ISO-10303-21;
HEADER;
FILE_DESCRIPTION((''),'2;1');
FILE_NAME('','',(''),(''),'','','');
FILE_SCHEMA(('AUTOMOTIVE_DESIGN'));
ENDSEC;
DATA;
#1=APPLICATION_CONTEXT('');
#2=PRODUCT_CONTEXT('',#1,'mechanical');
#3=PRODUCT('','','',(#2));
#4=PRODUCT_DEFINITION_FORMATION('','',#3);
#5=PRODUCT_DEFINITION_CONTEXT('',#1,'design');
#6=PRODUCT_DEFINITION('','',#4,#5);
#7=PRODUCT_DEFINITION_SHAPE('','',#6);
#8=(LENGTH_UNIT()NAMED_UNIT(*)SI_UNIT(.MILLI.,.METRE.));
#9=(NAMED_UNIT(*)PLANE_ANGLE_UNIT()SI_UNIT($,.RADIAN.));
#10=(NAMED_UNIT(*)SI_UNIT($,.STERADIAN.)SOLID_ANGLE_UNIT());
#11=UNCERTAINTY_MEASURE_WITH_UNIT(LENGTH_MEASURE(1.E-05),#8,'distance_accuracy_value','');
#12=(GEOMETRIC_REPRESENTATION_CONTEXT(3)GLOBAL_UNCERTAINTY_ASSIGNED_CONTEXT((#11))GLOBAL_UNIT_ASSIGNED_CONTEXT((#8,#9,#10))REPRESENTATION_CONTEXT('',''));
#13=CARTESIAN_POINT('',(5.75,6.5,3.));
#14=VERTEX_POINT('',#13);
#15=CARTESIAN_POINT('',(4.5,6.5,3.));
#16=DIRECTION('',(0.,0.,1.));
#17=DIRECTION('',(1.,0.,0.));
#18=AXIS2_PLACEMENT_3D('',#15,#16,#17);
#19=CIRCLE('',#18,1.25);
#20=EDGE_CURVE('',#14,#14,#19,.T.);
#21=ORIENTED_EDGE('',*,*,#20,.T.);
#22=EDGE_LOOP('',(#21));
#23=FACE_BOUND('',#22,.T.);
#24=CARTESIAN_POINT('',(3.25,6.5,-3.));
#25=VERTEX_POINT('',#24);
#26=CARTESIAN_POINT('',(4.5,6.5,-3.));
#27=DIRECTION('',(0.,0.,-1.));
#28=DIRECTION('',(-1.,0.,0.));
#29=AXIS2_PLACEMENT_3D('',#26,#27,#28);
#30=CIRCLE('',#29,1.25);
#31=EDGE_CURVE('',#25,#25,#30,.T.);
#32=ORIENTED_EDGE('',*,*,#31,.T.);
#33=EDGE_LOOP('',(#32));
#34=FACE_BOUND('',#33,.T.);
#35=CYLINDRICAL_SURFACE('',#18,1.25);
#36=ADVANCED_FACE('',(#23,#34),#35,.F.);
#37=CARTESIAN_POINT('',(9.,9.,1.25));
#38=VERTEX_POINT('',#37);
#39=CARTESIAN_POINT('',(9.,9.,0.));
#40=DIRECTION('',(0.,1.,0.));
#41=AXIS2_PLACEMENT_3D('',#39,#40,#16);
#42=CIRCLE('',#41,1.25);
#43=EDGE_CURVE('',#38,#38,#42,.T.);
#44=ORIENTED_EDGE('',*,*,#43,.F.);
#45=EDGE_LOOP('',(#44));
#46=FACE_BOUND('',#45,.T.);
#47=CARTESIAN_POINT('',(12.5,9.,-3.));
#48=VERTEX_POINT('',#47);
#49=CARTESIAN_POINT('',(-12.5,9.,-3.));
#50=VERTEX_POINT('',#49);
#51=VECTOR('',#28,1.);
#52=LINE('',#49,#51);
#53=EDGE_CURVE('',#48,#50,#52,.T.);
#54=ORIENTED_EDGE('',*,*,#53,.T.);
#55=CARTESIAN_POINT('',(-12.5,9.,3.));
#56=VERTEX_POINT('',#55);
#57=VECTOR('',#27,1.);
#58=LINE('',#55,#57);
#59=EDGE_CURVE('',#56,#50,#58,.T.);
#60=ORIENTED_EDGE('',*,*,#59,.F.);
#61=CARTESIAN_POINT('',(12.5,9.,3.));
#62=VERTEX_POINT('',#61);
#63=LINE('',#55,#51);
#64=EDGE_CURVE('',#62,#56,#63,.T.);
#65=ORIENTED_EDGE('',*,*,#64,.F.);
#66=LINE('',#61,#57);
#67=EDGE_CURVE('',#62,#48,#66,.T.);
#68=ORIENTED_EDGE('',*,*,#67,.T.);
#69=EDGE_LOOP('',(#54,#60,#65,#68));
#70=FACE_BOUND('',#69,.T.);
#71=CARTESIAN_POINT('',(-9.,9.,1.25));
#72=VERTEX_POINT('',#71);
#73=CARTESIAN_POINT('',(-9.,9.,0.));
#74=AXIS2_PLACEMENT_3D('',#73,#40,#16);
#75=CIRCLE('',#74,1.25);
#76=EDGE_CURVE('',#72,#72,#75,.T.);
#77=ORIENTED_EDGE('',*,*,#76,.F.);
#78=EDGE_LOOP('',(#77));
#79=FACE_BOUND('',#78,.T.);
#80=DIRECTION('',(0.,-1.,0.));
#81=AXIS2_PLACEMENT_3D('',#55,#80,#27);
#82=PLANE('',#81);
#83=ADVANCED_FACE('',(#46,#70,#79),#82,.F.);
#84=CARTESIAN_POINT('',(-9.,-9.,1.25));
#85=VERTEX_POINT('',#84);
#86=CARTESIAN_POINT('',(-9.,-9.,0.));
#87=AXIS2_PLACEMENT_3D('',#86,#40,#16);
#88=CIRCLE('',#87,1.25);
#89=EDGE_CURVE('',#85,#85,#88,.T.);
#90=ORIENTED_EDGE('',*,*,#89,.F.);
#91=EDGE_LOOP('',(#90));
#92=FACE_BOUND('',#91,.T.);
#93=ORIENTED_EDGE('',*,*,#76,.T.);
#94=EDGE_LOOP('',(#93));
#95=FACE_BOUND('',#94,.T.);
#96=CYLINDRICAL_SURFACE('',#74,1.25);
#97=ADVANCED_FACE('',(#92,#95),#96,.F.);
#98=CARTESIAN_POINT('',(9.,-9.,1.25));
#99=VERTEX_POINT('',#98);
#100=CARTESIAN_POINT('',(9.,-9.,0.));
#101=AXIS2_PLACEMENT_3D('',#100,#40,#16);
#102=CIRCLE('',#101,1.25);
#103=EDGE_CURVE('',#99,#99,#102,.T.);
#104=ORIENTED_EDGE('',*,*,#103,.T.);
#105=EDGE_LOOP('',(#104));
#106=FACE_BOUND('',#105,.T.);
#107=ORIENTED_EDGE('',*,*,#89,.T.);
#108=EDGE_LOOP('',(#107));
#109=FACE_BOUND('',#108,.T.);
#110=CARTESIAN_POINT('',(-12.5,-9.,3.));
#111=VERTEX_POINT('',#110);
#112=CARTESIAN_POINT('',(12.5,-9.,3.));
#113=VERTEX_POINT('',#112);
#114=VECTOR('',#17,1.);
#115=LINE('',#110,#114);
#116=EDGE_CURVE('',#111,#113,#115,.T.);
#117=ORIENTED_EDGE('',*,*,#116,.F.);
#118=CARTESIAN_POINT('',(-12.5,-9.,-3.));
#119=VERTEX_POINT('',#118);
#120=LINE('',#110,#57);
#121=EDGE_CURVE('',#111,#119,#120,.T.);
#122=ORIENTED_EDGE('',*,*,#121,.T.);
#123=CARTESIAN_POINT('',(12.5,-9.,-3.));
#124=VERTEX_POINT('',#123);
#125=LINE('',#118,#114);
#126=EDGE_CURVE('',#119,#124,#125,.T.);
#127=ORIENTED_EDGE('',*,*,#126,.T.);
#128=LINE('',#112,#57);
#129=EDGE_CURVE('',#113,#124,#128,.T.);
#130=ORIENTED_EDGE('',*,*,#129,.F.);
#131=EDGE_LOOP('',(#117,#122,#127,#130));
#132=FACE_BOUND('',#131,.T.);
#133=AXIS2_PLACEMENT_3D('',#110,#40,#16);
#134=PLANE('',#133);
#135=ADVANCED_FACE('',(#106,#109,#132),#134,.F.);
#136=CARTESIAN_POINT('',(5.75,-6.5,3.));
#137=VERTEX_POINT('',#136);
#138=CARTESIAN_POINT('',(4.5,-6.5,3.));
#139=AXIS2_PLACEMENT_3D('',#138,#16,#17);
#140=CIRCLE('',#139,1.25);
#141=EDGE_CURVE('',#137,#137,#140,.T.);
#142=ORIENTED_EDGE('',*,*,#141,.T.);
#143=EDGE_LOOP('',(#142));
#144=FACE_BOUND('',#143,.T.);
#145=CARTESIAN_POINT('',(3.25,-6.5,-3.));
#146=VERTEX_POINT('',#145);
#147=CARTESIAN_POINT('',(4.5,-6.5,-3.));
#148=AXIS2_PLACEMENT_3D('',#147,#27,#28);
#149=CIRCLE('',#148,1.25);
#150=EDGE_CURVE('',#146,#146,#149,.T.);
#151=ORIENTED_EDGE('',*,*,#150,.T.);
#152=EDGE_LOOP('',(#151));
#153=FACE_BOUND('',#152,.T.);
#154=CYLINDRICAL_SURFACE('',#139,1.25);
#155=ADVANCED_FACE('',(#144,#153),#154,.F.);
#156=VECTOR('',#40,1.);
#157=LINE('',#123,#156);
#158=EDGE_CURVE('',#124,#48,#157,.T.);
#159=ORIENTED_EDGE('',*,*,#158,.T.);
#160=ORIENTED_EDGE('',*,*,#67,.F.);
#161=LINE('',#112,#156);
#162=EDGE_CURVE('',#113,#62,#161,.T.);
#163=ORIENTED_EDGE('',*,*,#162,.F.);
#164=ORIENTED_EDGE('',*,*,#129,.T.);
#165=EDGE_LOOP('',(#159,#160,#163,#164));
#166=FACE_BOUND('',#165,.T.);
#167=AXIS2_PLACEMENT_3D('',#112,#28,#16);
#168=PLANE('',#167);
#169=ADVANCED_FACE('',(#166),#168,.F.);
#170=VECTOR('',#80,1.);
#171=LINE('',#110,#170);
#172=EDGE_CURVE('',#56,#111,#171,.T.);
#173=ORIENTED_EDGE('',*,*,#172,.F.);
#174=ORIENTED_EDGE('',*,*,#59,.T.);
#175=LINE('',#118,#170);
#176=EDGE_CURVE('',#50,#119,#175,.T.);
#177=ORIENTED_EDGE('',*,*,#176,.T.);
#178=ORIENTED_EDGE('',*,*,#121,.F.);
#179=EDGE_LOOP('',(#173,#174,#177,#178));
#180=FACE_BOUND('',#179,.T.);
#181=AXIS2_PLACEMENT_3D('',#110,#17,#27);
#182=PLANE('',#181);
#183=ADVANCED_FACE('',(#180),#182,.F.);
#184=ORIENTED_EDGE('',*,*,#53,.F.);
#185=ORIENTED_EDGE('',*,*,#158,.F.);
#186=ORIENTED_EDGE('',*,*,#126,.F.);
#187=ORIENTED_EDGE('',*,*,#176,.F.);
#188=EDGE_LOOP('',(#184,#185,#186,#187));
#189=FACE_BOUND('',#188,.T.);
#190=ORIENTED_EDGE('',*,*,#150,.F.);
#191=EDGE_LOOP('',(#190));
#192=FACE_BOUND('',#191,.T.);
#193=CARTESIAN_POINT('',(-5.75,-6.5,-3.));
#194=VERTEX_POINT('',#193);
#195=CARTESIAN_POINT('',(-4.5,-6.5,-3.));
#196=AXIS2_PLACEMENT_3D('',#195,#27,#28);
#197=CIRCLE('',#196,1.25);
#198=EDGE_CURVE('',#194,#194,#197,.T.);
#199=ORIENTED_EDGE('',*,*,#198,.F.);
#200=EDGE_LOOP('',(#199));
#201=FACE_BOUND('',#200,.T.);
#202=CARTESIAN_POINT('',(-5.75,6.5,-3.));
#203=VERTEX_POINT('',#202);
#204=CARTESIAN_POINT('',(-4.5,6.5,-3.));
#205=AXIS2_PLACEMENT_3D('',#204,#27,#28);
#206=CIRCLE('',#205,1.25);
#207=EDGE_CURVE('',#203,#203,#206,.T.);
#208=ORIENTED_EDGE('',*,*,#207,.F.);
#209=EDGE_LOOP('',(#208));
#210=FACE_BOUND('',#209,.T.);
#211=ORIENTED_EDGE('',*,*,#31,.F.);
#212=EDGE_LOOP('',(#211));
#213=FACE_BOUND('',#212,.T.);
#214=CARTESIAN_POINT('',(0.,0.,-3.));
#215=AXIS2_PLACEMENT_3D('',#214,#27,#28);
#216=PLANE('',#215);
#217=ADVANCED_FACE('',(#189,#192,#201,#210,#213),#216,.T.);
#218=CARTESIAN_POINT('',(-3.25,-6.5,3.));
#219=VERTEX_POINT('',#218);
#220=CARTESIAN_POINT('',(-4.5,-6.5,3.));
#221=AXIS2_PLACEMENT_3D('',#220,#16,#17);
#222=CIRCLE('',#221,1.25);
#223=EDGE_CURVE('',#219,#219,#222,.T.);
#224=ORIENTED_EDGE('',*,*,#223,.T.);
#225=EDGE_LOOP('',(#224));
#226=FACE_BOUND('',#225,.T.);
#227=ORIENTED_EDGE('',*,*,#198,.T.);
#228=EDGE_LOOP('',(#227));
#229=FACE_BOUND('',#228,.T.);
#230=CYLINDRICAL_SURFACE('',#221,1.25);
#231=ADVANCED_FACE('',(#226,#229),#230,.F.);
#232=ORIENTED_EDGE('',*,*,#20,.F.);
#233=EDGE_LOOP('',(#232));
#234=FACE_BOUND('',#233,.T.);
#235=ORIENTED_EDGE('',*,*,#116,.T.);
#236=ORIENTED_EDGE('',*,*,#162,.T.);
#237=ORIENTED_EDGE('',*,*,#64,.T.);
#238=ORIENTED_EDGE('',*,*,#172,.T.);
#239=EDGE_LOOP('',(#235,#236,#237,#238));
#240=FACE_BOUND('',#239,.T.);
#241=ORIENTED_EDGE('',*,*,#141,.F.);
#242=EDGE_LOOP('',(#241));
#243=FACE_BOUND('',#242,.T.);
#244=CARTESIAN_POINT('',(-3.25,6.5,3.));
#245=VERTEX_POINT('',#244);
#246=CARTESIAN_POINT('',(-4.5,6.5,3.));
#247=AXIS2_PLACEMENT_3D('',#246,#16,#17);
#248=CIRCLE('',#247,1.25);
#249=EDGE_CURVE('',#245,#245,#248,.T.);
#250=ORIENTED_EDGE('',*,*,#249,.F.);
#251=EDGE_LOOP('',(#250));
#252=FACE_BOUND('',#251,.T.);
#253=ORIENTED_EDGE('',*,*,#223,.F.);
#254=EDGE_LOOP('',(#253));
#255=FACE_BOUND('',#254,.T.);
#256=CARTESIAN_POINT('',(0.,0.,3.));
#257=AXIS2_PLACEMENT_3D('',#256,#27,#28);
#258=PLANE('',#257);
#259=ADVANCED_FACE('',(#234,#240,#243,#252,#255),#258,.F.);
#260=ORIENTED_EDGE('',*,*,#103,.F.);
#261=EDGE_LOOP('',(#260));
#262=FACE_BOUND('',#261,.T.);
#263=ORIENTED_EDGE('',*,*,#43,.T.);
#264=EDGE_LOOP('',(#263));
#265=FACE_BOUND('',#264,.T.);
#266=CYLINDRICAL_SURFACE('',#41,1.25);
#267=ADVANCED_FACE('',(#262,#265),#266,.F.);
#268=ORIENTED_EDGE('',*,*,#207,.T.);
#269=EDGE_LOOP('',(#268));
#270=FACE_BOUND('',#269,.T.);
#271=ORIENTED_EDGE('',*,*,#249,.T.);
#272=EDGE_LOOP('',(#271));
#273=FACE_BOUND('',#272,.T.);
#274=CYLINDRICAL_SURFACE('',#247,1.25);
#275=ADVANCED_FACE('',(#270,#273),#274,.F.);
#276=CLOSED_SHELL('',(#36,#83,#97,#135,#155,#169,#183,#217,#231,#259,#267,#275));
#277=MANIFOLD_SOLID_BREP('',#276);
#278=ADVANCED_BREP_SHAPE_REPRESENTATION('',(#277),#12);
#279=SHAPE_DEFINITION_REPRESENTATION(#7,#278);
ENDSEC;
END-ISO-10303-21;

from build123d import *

# Parameters (mm, degrees)
SKETCH_1_W             = 25
SKETCH_1_H             = 18
EXTRUDE_1_DEPTH        = 3
HOLE_WIZARD_M3_1_D     = 2.5
HOLE_WIZARD_M3_2_D     = 2.5
HOLE_WIZARD_M3_2_DEPTH = 8.5
HOLE_WIZARD_M3_2_TIP   = 0.751075774


with BuildPart() as part:
    # 草图1 → 凸台-拉伸1 (new, symmetric)
    with BuildSketch(Plane.XY):
        Rectangle(SKETCH_1_W, SKETCH_1_H)
    extrude(amount=EXTRUDE_1_DEPTH, both=True)

    # M3 螺纹孔1 (through all)
    with Locations(Plane(origin=(0, 9, 0), x_dir=(1, 0, 0), z_dir=(0, 1, 0))):
        with Locations((-9, 0), (9, 0)):
            Hole(HOLE_WIZARD_M3_1_D / 2)

    # M3 螺纹孔2
    with Locations(Plane.XY.offset(3)):
        with Locations((-4.5, -6.5), (4.5, -6.5), (4.5, 6.5), (-4.5, 6.5)):
            Hole(HOLE_WIZARD_M3_2_D / 2, depth=HOLE_WIZARD_M3_2_DEPTH)
            with Locations((0, 0, -(HOLE_WIZARD_M3_2_DEPTH + HOLE_WIZARD_M3_2_TIP / 2))):  # 118° drill point
                Cone(0, HOLE_WIZARD_M3_2_D / 2, HOLE_WIZARD_M3_2_TIP, mode=Mode.SUBTRACT)


solid = part.part
